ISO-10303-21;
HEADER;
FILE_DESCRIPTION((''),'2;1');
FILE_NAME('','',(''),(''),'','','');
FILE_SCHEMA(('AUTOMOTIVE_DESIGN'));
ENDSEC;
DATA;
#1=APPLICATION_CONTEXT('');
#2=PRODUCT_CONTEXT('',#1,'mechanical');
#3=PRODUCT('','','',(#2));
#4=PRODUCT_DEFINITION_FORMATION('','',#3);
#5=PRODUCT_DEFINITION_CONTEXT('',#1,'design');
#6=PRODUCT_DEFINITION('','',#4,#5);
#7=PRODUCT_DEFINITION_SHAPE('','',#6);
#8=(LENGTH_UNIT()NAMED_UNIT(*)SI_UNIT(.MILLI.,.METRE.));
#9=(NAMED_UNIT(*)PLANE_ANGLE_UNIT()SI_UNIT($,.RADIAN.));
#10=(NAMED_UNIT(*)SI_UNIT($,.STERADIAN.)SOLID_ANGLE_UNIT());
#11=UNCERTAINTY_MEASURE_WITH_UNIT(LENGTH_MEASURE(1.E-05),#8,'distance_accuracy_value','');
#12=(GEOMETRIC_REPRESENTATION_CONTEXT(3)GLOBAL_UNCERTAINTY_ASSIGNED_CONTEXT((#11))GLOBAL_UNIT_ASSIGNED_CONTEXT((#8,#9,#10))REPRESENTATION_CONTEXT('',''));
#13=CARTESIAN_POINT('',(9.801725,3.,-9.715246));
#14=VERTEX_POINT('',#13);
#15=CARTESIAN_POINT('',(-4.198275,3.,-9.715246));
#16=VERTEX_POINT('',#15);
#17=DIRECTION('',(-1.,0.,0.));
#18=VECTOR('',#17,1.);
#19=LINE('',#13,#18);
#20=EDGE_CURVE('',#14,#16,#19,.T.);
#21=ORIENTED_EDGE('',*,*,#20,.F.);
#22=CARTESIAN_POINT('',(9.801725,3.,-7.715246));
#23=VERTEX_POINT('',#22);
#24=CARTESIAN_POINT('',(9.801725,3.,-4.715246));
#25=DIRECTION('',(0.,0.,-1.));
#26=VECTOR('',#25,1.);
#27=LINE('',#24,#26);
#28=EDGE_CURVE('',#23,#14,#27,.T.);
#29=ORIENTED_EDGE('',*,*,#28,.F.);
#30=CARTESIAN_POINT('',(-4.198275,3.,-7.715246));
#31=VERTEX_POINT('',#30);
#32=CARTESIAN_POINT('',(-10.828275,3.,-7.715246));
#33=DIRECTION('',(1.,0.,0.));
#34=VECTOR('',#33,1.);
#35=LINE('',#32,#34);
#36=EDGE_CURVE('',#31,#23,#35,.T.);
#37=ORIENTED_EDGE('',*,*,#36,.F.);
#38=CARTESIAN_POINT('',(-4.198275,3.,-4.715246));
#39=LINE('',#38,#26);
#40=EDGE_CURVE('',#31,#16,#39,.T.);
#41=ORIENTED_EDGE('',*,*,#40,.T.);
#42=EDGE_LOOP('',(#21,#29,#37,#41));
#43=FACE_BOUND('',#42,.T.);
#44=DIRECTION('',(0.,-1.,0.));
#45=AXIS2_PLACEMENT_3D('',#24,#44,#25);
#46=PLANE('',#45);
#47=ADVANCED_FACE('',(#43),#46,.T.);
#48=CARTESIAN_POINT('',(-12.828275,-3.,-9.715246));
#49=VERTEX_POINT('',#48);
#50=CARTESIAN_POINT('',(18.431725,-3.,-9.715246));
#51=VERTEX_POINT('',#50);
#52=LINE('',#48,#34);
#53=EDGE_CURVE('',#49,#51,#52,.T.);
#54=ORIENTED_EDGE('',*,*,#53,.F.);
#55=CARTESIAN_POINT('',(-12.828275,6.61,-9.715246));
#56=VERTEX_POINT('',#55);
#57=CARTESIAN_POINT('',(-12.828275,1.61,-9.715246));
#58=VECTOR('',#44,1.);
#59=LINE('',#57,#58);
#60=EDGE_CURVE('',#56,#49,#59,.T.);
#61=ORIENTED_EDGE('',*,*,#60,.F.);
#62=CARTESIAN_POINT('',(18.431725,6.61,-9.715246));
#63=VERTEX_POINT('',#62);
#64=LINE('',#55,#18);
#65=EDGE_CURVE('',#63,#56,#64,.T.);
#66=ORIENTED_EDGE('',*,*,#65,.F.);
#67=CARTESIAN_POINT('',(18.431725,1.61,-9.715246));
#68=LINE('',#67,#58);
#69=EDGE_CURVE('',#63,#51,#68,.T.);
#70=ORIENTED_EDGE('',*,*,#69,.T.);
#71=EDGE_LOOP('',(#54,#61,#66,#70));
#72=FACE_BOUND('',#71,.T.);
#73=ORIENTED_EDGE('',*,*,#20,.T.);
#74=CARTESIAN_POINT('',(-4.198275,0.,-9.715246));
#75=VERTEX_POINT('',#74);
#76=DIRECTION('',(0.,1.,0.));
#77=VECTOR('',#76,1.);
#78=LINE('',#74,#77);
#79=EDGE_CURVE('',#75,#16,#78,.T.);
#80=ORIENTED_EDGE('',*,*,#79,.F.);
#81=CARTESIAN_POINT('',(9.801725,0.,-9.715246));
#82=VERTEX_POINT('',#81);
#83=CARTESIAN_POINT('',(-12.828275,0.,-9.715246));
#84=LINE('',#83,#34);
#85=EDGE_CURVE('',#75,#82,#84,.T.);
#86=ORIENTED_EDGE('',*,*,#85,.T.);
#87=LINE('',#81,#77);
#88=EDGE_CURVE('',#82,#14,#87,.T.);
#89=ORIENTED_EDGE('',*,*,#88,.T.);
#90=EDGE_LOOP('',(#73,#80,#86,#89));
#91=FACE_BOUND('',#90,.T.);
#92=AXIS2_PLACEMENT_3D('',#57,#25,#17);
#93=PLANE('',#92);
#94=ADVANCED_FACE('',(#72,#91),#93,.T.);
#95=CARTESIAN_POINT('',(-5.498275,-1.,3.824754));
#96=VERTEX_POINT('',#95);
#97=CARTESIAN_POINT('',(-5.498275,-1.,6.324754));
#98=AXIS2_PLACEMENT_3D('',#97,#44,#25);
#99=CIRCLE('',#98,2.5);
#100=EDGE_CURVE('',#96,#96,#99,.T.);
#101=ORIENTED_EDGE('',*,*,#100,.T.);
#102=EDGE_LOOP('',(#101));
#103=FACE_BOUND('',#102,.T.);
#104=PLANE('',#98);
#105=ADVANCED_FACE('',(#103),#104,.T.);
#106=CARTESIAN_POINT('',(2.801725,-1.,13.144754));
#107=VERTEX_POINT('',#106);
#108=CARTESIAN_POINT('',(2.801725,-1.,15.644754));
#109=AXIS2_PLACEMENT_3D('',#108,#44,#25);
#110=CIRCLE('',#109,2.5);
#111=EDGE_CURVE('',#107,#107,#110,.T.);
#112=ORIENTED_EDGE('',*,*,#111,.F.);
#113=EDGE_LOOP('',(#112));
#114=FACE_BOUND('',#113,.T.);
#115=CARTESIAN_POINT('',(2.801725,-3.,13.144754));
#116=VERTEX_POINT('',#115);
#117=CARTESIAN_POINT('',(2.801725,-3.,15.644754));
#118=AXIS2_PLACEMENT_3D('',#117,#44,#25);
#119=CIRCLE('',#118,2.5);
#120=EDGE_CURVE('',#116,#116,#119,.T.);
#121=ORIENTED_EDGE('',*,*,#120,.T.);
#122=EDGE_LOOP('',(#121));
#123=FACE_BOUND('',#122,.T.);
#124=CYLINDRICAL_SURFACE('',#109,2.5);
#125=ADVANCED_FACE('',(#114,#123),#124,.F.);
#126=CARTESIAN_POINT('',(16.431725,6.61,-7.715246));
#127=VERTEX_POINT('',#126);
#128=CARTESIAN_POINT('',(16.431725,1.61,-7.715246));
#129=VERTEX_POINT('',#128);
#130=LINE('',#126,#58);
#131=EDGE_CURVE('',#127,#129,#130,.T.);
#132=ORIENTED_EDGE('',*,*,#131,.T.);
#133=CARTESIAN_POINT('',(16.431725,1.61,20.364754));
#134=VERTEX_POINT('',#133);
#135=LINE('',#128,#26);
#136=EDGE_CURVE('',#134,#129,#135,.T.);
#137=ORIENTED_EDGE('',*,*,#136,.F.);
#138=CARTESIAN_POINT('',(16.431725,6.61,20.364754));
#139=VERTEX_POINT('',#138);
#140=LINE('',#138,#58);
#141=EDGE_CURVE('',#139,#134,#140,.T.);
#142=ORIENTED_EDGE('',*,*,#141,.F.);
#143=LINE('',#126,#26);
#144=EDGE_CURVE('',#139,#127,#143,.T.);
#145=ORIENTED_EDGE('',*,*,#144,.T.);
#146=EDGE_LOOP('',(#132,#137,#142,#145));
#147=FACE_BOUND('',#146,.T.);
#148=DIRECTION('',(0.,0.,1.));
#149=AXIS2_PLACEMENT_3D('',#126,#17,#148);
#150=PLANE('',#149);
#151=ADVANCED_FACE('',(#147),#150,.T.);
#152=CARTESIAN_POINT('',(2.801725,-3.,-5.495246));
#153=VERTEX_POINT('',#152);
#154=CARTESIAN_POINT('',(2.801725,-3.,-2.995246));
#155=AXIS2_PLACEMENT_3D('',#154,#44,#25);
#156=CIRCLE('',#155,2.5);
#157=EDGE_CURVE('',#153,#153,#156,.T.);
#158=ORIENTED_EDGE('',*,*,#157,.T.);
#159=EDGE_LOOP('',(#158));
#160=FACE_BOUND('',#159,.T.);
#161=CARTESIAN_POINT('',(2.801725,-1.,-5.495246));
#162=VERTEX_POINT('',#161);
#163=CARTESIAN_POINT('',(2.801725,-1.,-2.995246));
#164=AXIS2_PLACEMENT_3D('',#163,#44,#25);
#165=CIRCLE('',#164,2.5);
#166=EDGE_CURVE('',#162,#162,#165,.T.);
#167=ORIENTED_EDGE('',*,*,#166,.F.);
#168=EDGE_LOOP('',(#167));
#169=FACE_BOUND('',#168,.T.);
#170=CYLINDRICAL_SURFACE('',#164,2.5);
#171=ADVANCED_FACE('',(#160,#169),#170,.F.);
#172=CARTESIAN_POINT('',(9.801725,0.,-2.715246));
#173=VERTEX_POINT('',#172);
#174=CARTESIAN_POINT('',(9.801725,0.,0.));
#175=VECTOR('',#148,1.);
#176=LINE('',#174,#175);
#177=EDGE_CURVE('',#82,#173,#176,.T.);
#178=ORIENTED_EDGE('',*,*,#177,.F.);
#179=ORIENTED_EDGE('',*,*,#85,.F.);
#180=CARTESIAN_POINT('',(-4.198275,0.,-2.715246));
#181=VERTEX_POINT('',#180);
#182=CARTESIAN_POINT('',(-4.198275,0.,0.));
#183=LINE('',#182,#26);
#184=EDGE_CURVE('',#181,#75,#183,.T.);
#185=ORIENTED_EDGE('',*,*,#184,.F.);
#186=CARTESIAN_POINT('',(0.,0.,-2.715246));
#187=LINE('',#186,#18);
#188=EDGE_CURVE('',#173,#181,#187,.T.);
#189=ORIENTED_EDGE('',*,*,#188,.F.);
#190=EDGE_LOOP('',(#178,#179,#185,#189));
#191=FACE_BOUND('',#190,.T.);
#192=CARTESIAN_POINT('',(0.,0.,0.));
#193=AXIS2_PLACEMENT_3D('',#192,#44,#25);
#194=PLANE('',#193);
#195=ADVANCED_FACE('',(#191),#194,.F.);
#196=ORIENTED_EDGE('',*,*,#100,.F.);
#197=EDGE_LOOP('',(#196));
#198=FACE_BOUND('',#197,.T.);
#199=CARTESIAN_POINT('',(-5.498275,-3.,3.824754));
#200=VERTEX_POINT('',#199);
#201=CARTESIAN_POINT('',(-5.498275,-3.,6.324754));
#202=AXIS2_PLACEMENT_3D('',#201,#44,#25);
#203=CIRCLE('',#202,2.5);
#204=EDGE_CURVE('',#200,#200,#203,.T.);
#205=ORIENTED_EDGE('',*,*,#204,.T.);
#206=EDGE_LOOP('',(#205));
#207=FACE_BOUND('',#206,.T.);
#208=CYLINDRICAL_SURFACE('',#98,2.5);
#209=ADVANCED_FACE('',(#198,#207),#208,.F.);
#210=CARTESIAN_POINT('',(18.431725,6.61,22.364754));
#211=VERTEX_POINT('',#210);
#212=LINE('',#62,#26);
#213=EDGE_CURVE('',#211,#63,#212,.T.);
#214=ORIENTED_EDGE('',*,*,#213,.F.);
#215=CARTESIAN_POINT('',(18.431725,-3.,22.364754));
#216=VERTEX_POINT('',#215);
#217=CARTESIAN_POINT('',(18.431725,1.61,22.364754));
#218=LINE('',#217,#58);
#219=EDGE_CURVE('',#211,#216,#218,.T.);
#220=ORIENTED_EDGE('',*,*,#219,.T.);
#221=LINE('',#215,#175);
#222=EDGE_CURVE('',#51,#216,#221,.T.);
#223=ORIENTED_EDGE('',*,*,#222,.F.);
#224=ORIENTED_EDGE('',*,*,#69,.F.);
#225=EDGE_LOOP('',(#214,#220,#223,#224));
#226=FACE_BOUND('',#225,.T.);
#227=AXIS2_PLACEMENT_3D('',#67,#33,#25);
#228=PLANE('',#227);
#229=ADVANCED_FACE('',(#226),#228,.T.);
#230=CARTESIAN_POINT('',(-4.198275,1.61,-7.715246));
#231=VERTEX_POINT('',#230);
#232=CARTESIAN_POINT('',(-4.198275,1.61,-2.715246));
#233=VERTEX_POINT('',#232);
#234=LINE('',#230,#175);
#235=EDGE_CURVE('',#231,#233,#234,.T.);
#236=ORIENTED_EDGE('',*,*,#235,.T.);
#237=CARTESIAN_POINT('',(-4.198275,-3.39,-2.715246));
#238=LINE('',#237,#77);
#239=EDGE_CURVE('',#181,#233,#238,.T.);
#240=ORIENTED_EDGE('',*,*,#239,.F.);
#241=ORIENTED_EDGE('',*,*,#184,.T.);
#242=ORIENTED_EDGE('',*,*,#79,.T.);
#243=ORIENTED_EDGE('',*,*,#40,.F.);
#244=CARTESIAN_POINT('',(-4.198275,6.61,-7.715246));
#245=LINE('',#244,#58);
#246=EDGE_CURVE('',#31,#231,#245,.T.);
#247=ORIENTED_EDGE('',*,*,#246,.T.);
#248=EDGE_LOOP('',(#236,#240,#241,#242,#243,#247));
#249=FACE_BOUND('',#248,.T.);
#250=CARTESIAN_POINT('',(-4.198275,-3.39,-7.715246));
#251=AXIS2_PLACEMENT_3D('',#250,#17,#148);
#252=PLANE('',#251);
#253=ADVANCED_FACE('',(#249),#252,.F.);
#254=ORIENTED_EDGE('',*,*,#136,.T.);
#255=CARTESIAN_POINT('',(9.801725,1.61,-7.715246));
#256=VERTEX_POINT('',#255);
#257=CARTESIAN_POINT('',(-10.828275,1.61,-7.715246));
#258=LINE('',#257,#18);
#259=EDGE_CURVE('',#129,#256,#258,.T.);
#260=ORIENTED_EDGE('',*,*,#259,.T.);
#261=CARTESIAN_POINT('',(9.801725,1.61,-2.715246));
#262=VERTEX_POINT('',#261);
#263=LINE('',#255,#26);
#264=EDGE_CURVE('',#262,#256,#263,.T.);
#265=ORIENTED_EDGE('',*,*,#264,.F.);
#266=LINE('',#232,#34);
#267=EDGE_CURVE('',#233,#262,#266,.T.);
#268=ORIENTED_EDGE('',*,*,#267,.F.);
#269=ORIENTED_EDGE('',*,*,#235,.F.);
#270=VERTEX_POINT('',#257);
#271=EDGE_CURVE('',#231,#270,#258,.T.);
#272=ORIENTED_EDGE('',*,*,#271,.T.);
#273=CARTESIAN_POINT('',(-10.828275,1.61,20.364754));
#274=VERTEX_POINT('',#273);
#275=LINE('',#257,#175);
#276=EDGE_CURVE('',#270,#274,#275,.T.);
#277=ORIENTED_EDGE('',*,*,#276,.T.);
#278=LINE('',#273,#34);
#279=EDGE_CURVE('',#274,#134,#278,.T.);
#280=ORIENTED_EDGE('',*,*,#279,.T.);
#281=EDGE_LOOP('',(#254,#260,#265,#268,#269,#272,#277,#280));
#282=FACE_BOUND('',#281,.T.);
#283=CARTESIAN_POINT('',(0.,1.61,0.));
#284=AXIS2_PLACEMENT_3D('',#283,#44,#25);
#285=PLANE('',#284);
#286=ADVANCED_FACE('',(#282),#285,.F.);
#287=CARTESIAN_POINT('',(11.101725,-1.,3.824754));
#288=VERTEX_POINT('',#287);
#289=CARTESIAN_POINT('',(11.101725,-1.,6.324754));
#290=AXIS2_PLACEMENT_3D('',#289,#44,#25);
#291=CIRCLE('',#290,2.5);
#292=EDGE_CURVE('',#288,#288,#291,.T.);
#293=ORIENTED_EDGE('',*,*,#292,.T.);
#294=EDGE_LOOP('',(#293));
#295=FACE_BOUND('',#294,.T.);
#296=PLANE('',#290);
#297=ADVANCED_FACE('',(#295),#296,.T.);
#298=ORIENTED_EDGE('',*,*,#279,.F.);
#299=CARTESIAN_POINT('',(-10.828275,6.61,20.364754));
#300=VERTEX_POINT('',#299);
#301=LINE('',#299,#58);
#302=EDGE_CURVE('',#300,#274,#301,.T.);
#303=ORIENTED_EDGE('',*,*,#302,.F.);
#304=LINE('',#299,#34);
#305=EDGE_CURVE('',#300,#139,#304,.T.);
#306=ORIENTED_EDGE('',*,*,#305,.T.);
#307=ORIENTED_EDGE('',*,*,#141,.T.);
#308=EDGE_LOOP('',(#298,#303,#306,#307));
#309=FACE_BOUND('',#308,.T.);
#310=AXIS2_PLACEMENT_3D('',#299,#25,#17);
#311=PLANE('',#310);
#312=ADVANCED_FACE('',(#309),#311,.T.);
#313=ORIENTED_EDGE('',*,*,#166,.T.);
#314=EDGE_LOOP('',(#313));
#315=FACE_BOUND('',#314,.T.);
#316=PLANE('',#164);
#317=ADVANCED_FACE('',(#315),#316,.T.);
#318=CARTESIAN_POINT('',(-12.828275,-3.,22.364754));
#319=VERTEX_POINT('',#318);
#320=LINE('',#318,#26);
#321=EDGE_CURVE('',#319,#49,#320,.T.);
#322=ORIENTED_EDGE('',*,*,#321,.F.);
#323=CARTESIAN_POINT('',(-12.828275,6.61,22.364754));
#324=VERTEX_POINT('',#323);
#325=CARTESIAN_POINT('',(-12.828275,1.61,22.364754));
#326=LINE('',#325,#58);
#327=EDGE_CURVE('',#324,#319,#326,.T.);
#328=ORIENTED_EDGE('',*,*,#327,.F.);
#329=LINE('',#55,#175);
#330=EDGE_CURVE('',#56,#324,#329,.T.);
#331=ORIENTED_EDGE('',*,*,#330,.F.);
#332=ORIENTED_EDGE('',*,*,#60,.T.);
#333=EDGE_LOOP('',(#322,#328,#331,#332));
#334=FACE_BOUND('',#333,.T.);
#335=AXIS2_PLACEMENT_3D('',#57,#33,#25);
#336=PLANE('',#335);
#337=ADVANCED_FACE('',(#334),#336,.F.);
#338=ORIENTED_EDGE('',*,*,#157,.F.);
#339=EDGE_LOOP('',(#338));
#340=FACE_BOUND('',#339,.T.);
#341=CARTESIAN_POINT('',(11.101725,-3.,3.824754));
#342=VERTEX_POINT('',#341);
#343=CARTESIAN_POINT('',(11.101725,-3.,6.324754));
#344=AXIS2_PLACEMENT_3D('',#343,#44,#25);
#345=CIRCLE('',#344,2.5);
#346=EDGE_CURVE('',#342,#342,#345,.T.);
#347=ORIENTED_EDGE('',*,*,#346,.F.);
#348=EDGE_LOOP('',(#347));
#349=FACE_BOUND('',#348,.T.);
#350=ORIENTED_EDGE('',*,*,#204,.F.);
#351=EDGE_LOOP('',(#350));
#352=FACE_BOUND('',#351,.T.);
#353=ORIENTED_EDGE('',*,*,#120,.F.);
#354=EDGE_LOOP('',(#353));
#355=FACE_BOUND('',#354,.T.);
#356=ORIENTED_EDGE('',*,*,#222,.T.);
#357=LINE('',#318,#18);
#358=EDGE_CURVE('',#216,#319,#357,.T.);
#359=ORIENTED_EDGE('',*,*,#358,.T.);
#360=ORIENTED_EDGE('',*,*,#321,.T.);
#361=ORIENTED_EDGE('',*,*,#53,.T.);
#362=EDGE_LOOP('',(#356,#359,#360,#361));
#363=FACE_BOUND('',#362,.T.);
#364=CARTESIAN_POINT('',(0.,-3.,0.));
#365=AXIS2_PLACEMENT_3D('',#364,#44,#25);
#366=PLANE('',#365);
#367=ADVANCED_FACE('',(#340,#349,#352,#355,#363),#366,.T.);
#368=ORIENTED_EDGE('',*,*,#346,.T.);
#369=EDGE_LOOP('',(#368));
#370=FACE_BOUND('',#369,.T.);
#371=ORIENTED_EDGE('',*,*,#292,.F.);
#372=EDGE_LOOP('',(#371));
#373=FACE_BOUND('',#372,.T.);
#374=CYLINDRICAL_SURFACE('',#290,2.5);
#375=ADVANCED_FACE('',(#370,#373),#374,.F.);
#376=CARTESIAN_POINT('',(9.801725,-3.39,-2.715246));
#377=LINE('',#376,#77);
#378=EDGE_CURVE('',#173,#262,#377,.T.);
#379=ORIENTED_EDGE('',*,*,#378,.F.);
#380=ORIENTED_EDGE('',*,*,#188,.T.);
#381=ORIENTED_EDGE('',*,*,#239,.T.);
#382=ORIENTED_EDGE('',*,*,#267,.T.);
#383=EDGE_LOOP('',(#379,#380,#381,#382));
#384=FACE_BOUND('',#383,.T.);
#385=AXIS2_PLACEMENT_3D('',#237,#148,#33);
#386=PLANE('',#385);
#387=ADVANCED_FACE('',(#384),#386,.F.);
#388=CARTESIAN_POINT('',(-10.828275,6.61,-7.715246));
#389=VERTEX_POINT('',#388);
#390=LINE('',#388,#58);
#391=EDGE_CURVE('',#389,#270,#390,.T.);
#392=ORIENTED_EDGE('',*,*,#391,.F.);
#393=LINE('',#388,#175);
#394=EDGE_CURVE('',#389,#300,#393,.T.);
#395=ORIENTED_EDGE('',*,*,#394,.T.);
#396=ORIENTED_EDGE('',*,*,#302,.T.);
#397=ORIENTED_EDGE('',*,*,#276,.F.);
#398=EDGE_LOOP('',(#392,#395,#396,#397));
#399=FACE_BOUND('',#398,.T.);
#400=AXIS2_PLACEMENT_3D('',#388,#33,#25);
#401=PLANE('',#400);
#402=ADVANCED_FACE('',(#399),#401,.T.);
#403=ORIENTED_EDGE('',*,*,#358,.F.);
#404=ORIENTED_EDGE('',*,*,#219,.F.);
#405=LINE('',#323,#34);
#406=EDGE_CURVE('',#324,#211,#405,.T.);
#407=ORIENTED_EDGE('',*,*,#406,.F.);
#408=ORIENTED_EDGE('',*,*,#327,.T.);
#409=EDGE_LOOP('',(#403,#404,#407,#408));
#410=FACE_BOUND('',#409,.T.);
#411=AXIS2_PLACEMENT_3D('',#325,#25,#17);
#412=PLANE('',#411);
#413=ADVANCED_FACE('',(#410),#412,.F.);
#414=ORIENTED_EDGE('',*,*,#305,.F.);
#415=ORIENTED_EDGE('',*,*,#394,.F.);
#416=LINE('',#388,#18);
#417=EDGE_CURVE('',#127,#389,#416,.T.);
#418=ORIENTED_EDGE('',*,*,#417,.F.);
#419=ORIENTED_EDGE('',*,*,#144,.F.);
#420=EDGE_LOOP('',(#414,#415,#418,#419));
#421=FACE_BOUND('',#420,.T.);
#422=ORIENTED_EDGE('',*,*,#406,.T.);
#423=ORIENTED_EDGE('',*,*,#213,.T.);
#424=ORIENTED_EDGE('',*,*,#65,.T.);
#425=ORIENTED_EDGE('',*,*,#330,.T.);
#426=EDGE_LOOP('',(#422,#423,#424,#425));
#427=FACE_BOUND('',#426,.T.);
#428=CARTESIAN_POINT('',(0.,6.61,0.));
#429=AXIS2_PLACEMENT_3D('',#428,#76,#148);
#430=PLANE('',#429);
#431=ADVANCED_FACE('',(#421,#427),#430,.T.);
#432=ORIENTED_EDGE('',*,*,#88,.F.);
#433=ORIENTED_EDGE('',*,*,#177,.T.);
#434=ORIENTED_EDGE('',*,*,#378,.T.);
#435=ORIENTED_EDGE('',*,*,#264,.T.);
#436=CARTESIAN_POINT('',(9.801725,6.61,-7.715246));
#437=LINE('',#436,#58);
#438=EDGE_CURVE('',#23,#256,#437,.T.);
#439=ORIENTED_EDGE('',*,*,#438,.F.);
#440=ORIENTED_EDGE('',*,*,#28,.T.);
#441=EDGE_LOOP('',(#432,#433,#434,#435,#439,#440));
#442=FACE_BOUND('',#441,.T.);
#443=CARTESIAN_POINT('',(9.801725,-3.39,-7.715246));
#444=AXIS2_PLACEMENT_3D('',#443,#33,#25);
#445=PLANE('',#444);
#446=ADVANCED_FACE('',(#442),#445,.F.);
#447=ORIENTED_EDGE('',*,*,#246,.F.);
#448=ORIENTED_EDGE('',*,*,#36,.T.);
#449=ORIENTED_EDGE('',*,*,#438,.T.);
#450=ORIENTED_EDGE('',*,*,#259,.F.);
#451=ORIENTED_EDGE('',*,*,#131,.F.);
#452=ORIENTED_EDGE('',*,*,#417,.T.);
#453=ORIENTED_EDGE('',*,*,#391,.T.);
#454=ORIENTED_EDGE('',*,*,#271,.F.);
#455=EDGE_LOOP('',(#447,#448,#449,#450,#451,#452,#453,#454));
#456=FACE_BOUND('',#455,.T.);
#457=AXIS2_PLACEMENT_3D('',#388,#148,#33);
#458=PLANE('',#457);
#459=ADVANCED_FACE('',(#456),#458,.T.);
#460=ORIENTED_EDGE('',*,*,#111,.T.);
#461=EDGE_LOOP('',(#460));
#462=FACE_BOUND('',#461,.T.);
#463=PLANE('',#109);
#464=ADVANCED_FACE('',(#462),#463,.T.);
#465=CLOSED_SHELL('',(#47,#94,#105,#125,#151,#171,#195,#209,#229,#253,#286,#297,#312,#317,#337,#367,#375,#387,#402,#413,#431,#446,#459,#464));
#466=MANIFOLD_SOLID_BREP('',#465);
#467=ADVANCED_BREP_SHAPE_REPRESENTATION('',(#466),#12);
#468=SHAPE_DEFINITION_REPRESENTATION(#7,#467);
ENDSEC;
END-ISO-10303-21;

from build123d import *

# Parameters (mm, degrees)
SKETCH1_W           = 31.26
SKETCH1_H           = 32.08
BOSS_EXTRUDE2_DEPTH = 1.61
SKETCH4_W           = 31.26
SKETCH4_H           = 32.08
SKETCH4_W_2         = 27.26
SKETCH4_H_2         = 28.08
BOSS_EXTRUDE3_DEPTH = 5
SKETCH5_W           = 14
SKETCH5_H           = 5
CUT_EXTRUDE3_DEPTH  = 5
SKETCH8_W           = 14
SKETCH8_H           = 3
CUT_EXTRUDE5_DEPTH  = 5
SKETCH9_W           = 31.26
SKETCH9_H           = 32.08
BOSS_EXTRUDE4_DEPTH = 3
SKETCH10_R          = 2.5
CUT_EXTRUDE6_DEPTH  = 2


with BuildPart() as part:
    # Sketch1 → Boss-Extrude2 (new body)
    with BuildSketch(Plane(origin=(0, 0, 0), x_dir=(1, 0, 0), z_dir=(0, 1, 0))):
        with Locations((2.801725352, -6.324753521)):
            Rectangle(SKETCH1_W, SKETCH1_H)
    extrude(amount=BOSS_EXTRUDE2_DEPTH)

    # Sketch4 → Boss-Extrude3 (add)
    with BuildSketch(Plane(origin=(0, 1.61, 0), x_dir=(1, 0, 0), z_dir=(0, 1, 0))):
        with Locations((2.801725352, -6.324753521)):
            Rectangle(SKETCH4_W, SKETCH4_H)
        with Locations((2.801725352, -6.324753521)):
            Rectangle(SKETCH4_W_2, SKETCH4_H_2, mode=Mode.SUBTRACT)
    extrude(amount=BOSS_EXTRUDE3_DEPTH)

    # Sketch5 → Cut-Extrude3 (cut)
    with BuildSketch(Plane(origin=(0, 1.61, 0), x_dir=(1, 0, 0), z_dir=(0, 1, 0))):
        with Locations((2.801725352, 5.215246479)):
            Rectangle(SKETCH5_W, SKETCH5_H)
    extrude(amount=-CUT_EXTRUDE3_DEPTH, mode=Mode.SUBTRACT)

    # Sketch8 → Cut-Extrude5 (cut)
    with BuildSketch(Plane(origin=(0, 0, -9.715246479), x_dir=(-1, 0, 0), z_dir=(0, 0, -1))):
        with Locations((-2.801725352, 1.5)):
            Rectangle(SKETCH8_W, SKETCH8_H)
    extrude(amount=-CUT_EXTRUDE5_DEPTH, mode=Mode.SUBTRACT)

    # Sketch9 → Boss-Extrude4 (add)
    with BuildSketch(Plane.XZ):
        with Locations((2.801725352, 6.324753521)):
            Rectangle(SKETCH9_W, SKETCH9_H)
    extrude(amount=BOSS_EXTRUDE4_DEPTH)

    # Sketch10 → Cut-Extrude6 (cut)
    with BuildSketch(Plane.XZ.offset(3)):
        with Locations((2.801725352, 15.644753521)):
            Circle(SKETCH10_R)
        with Locations((11.101725352, 6.324753521)):
            Circle(SKETCH10_R)
        with Locations((-5.498274648, 6.324753521)):
            Circle(SKETCH10_R)
        with Locations((2.801725352, -2.995246479)):
            Circle(SKETCH10_R)
    extrude(amount=-CUT_EXTRUDE6_DEPTH, mode=Mode.SUBTRACT)


solid = part.part
